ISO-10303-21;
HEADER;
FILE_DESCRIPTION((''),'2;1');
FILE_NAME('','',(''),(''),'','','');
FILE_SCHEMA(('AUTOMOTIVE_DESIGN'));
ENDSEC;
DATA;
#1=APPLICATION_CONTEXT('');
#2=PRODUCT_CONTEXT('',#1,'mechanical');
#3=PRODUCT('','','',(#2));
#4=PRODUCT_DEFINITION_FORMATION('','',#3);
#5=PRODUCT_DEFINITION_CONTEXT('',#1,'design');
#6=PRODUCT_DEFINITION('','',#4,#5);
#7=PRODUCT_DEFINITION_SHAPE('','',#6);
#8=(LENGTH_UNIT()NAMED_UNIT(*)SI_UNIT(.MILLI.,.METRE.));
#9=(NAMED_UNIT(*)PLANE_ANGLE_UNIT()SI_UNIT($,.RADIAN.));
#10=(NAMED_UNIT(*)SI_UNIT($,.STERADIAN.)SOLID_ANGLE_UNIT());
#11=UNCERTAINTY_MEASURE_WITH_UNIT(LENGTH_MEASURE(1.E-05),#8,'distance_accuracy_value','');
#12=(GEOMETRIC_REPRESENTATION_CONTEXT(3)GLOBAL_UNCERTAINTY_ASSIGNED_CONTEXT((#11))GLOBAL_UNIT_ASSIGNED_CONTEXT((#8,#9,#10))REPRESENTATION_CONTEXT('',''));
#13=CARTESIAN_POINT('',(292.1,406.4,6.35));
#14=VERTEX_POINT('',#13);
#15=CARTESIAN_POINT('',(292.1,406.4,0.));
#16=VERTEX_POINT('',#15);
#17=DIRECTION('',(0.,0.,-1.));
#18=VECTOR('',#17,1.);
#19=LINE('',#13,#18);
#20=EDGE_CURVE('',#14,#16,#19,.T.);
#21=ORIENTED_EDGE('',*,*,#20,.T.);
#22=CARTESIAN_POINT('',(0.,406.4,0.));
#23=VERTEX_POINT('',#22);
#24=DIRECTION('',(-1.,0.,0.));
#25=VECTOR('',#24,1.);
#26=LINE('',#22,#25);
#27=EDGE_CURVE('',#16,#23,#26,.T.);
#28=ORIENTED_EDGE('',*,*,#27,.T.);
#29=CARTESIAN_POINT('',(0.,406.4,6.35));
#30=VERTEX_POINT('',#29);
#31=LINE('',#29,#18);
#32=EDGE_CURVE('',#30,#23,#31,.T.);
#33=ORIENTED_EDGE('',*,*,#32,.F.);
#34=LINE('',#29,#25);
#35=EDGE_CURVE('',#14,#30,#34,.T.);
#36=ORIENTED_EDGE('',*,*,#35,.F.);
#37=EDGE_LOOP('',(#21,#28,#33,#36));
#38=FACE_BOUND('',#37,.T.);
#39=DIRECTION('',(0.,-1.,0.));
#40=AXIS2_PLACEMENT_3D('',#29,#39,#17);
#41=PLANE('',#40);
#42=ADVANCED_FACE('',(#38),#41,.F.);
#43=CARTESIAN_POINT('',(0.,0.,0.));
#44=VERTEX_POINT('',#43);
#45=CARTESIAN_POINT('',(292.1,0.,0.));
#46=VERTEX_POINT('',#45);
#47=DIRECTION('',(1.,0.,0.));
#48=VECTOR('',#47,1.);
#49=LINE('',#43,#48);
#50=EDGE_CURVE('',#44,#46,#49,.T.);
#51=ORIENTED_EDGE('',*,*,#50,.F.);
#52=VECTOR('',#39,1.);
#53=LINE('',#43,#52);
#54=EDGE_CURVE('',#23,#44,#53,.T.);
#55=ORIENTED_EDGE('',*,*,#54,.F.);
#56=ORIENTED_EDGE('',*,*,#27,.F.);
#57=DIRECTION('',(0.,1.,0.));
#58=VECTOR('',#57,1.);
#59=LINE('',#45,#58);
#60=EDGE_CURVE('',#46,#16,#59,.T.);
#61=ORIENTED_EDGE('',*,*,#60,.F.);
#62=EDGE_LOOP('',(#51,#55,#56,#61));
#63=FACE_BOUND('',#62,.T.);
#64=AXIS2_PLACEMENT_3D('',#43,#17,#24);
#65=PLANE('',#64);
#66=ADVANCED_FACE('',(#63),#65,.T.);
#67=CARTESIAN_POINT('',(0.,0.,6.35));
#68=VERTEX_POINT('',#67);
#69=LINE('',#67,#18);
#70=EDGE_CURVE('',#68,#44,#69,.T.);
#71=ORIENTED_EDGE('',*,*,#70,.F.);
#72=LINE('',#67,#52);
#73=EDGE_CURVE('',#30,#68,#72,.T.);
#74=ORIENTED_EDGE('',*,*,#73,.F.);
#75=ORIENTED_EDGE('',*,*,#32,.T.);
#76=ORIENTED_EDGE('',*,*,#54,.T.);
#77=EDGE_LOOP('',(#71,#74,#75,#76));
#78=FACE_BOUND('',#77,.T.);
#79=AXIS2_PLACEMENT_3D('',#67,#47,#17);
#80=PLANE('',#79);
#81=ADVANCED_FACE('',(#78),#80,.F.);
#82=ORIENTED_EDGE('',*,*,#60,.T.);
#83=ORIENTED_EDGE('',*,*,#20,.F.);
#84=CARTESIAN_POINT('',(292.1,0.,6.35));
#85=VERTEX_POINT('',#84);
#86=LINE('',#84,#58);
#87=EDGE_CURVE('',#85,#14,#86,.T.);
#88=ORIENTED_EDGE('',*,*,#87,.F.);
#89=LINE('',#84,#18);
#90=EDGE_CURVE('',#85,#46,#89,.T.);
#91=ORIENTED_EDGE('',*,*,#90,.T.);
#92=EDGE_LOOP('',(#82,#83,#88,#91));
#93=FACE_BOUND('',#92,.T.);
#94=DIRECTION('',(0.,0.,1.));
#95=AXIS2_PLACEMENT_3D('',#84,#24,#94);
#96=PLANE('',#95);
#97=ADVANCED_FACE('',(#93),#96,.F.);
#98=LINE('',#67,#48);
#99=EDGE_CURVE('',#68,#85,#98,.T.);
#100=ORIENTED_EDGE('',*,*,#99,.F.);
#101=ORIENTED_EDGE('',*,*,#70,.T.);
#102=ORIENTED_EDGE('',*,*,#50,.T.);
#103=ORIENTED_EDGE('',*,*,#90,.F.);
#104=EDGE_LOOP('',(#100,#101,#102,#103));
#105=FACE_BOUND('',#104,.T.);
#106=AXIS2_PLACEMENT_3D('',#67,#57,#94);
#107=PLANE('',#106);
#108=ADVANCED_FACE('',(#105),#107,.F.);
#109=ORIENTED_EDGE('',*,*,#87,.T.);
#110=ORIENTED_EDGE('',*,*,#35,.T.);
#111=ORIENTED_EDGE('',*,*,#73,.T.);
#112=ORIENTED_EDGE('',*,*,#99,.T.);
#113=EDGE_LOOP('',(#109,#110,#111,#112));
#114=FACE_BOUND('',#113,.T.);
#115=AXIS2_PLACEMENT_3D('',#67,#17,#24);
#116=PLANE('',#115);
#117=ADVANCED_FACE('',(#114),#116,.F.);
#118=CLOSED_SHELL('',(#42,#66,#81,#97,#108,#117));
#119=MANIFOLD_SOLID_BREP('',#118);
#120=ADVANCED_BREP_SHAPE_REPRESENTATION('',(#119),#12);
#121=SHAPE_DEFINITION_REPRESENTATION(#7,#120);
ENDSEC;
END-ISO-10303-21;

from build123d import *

# Parameters (mm, degrees)
SKETCH1_W           = 292.1
SKETCH1_H           = 406.4
BOSS_EXTRUDE1_DEPTH = 6.35


with BuildPart() as part:
    # Sketch1 → Boss-Extrude1 (new body)
    with BuildSketch(Plane.XY):
        with Locations((146.05, 203.2)):
            Rectangle(SKETCH1_W, SKETCH1_H)
    extrude(amount=BOSS_EXTRUDE1_DEPTH)


solid = part.part
